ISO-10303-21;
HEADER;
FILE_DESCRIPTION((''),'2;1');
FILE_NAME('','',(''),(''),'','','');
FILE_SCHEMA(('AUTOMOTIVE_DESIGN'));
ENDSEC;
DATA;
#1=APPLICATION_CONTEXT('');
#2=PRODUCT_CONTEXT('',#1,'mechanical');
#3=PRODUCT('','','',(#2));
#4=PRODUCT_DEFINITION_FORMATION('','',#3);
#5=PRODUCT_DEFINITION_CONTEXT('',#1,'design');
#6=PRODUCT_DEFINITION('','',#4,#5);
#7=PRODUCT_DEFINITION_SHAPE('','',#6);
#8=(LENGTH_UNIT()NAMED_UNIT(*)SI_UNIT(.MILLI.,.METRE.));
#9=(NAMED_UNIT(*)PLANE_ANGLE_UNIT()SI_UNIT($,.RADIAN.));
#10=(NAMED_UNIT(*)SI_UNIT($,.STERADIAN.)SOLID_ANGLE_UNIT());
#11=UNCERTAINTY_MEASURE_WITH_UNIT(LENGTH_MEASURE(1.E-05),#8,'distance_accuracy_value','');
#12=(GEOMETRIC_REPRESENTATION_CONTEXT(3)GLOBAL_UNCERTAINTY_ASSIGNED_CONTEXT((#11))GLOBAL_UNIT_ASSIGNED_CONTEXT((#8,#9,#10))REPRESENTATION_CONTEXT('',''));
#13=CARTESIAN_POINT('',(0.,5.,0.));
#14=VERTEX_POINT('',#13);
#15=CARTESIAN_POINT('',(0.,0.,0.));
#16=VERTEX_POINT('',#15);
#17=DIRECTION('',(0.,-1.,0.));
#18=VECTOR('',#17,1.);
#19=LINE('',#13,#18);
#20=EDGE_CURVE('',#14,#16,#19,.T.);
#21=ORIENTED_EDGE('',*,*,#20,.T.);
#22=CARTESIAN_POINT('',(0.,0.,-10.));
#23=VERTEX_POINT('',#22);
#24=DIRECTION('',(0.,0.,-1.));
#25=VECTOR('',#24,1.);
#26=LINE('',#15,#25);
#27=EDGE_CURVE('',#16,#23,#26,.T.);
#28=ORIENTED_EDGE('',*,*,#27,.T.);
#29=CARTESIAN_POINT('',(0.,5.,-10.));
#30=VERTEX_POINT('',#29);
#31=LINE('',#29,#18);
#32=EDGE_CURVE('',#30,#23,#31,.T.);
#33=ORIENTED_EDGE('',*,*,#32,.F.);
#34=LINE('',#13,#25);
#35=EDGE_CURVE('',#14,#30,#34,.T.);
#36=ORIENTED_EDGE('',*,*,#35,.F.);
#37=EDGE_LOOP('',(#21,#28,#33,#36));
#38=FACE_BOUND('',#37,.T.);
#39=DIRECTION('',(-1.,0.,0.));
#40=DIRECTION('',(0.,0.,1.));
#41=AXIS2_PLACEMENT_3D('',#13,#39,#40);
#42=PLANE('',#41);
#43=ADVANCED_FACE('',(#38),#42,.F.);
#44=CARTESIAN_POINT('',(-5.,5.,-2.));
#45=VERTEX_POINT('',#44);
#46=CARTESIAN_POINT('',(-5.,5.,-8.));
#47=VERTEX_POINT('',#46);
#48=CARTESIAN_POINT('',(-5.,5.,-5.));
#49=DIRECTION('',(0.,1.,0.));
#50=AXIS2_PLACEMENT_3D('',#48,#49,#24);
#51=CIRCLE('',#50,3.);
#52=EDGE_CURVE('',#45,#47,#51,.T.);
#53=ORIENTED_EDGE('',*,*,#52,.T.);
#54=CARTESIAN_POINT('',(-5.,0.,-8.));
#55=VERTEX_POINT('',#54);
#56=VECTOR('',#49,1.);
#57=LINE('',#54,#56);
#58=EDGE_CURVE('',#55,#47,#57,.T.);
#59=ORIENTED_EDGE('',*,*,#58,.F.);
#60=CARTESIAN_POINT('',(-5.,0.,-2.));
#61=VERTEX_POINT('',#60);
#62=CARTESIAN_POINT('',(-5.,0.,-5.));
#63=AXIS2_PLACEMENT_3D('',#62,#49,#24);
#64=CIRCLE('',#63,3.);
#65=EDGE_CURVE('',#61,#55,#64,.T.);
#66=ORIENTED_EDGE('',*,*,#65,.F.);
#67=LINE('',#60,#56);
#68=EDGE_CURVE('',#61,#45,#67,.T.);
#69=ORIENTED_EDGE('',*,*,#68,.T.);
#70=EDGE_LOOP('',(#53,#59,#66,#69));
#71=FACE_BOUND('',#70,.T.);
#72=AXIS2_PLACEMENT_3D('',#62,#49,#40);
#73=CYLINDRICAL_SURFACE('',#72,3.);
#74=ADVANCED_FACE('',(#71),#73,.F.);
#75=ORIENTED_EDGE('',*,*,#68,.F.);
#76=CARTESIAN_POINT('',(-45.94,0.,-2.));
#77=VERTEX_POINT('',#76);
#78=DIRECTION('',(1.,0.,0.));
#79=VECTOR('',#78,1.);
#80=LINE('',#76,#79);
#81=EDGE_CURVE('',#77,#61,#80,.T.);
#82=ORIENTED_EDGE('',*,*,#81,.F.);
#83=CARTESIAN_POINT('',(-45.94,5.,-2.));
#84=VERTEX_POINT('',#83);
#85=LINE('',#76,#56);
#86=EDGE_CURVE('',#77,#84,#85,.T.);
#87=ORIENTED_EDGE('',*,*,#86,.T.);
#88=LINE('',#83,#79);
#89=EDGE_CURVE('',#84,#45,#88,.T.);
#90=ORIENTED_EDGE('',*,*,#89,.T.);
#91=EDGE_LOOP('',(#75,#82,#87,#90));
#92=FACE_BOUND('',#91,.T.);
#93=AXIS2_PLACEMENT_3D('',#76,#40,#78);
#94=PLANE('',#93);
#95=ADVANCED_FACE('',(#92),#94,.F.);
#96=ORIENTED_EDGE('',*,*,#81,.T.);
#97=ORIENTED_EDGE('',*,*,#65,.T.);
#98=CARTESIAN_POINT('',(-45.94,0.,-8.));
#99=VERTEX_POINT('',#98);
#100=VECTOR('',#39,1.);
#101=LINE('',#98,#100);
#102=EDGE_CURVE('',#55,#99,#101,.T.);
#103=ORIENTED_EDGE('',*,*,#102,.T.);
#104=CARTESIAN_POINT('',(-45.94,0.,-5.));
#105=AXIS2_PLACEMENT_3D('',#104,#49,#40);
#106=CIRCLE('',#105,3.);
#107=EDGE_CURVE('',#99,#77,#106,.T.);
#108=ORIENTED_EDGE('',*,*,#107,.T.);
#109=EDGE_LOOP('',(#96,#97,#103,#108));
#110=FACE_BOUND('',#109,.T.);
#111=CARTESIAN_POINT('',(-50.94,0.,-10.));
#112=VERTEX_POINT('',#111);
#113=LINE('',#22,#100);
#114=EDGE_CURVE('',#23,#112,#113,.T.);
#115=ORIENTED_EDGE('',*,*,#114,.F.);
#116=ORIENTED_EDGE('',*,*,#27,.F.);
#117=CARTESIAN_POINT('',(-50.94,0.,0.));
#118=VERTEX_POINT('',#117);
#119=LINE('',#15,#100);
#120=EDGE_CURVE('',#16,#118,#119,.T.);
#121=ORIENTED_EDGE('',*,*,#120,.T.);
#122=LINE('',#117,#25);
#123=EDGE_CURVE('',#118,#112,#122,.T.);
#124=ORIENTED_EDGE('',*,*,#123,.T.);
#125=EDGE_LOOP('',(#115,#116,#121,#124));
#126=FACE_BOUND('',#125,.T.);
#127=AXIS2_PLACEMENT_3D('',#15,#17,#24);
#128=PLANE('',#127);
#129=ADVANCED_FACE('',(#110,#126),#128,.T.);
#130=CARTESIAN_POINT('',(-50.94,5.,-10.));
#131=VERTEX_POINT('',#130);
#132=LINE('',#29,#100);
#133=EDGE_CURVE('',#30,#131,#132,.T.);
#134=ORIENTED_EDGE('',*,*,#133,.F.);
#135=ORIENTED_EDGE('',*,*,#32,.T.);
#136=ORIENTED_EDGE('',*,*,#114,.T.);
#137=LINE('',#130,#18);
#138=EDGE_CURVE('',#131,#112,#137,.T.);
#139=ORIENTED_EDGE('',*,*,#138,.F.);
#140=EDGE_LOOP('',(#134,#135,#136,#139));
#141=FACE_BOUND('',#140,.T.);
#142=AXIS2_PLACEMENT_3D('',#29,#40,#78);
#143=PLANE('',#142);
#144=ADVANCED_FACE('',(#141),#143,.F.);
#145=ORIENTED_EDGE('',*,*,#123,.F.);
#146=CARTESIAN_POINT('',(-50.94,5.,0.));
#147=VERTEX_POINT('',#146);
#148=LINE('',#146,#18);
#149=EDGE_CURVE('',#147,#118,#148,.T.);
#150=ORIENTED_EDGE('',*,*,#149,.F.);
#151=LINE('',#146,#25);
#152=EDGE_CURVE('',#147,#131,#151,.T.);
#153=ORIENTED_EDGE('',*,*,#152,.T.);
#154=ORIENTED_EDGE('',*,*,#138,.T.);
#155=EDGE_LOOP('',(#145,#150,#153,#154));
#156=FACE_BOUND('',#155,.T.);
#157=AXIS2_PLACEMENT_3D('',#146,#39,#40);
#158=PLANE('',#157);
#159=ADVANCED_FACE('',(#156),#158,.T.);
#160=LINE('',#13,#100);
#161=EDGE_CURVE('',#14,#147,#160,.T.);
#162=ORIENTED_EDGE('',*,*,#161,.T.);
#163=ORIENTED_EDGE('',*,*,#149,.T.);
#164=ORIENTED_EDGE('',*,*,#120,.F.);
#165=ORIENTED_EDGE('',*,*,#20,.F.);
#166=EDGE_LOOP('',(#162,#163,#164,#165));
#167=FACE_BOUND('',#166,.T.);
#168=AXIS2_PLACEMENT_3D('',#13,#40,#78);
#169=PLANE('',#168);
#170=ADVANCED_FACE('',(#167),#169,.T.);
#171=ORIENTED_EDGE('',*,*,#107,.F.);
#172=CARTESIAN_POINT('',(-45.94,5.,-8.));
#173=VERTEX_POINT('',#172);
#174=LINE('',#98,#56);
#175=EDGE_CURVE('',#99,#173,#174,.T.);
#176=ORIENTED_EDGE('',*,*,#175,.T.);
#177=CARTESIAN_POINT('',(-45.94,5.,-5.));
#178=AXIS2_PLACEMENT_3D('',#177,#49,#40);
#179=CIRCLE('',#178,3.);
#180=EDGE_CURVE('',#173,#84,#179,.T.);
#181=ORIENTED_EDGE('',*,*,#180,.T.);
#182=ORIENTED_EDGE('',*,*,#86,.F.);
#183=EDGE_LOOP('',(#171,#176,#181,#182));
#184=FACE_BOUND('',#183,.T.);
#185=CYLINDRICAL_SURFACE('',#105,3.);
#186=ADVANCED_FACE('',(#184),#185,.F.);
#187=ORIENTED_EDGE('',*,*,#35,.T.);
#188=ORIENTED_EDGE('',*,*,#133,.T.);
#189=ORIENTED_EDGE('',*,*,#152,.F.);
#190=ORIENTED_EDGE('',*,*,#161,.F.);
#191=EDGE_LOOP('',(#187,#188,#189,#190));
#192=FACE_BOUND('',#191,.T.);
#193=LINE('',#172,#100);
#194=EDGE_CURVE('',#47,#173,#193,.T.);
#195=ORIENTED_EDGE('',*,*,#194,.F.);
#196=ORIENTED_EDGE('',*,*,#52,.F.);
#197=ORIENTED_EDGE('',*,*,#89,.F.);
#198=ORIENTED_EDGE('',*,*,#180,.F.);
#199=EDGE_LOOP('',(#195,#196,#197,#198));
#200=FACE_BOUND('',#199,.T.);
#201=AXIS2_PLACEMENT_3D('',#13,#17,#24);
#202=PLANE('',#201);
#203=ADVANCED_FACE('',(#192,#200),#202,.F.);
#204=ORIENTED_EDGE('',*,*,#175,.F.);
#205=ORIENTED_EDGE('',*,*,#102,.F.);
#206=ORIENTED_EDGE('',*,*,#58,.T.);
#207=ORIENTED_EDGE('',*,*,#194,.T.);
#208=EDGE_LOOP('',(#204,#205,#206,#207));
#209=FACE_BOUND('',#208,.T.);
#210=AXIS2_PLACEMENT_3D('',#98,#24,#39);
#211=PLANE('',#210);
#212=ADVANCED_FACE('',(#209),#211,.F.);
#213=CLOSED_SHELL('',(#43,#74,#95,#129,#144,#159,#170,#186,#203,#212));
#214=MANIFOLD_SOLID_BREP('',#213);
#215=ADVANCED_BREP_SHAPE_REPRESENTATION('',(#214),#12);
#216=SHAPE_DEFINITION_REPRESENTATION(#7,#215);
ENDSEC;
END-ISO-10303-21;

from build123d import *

# Parameters (mm, degrees)
SKETCH1_W           = 50.94
SKETCH1_H           = 10
BOSS_EXTRUDE1_DEPTH = 5
CUT_EXTRUDE1_DEPTH  = 53.152503296


with BuildPart() as part:
    # Sketch1 → Boss-Extrude1 (new body)
    with BuildSketch(Plane(origin=(0, 0, 0), x_dir=(1, 0, 0), z_dir=(0, 1, 0))):
        with Locations((-25.47, 5)):
            Rectangle(SKETCH1_W, SKETCH1_H)
    extrude(amount=BOSS_EXTRUDE1_DEPTH)

    # Sketch2 → Cut-Extrude1 (cut, through all)
    with BuildSketch(Plane(origin=(0, 5, 0), x_dir=(1, 0, 0), z_dir=(0, 1, 0))):
        with BuildLine():
            Line((-45.94, 2), (-5, 2))
            ThreePointArc((-5, 2), (-2, 5), (-5, 8))
            Line((-5, 8), (-45.94, 8))
            ThreePointArc((-45.94, 8), (-48.94, 5), (-45.94, 2))
        make_face()
    extrude(amount=-CUT_EXTRUDE1_DEPTH, mode=Mode.SUBTRACT)


solid = part.part
